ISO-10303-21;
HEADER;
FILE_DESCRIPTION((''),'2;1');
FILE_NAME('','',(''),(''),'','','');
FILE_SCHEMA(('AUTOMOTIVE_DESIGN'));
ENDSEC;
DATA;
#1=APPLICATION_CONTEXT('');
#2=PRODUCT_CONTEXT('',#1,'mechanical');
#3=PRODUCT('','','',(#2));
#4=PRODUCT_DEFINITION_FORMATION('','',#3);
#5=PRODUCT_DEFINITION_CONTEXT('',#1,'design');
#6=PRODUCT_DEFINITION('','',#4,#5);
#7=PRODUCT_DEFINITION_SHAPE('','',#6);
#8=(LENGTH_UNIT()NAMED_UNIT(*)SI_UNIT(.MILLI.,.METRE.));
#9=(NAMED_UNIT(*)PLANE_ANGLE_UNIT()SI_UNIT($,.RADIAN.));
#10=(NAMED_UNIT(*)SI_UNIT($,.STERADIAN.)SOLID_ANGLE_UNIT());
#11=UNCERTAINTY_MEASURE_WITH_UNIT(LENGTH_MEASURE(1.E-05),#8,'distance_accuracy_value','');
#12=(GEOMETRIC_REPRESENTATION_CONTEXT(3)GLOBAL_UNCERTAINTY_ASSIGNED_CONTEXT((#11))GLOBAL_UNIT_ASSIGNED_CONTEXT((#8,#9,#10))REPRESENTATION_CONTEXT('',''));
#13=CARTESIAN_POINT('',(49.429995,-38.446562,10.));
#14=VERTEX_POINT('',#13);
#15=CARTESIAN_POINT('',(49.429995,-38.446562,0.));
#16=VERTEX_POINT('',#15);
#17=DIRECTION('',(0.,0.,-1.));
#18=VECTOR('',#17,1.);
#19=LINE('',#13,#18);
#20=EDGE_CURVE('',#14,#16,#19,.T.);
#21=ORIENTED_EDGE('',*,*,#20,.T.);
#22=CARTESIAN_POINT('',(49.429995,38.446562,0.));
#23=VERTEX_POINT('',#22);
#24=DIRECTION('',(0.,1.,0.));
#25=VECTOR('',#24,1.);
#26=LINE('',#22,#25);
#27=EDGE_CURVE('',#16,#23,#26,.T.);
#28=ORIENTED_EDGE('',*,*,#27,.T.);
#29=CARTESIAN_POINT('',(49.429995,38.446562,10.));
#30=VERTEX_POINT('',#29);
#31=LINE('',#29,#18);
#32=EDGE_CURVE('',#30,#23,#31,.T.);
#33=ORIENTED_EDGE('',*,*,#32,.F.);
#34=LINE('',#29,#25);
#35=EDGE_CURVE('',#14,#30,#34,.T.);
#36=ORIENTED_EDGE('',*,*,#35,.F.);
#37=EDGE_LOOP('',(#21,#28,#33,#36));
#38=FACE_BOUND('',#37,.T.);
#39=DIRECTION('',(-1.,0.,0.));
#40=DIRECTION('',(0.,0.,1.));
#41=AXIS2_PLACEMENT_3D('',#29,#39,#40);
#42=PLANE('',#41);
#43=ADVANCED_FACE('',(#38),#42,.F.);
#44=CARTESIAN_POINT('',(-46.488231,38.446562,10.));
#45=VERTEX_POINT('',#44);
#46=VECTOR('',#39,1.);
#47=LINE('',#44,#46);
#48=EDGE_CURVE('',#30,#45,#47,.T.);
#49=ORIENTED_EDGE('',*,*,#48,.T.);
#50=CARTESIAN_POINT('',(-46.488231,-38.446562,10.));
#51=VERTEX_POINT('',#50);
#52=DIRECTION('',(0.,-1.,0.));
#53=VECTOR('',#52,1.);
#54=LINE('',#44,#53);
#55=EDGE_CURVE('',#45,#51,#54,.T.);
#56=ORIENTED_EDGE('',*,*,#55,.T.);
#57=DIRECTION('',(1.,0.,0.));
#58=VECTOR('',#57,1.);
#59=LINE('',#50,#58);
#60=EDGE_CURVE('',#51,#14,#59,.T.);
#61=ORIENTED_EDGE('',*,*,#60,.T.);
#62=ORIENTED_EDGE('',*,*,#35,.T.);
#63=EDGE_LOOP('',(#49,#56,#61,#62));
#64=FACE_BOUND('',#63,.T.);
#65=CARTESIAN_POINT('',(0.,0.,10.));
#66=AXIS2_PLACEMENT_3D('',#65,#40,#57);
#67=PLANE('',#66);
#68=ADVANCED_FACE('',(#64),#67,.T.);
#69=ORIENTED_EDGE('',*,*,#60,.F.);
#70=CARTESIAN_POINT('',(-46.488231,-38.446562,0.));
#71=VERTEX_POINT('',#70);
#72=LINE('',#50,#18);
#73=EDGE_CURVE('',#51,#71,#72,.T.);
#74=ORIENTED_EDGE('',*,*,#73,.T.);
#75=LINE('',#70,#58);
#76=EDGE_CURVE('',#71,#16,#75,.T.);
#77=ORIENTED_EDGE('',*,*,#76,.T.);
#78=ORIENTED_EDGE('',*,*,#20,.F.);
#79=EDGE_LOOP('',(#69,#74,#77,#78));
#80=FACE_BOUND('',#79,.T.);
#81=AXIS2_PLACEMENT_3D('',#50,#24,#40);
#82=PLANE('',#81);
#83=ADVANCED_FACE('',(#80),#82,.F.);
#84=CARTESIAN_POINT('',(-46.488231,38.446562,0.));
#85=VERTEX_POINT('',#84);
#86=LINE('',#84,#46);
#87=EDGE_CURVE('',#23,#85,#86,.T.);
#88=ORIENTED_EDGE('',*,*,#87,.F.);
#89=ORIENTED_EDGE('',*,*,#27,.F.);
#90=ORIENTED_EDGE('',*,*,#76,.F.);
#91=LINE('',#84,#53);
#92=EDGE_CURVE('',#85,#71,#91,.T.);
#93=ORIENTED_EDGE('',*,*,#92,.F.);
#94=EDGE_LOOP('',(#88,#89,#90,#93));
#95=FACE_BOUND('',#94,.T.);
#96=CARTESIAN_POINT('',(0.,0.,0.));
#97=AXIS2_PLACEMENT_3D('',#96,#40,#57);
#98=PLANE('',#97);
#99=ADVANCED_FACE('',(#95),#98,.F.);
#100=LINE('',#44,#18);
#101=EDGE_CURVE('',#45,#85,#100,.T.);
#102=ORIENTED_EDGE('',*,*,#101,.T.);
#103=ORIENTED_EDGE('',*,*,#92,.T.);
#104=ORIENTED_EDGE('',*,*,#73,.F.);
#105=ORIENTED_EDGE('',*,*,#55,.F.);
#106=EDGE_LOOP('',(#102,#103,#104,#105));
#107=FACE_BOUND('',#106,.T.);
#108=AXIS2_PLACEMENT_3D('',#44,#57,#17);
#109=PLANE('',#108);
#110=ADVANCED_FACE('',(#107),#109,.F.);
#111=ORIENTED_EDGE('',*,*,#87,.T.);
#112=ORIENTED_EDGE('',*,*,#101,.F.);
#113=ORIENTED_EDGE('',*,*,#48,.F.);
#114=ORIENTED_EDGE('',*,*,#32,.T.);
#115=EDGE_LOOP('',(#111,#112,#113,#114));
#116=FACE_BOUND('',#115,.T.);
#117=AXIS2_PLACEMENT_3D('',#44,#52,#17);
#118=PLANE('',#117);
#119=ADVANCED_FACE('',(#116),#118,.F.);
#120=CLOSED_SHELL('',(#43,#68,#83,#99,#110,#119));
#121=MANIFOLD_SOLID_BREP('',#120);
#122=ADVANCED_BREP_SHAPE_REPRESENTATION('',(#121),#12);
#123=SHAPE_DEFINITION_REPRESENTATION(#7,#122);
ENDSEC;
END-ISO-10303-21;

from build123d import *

# Parameters (mm, degrees)
SKETCH1_W           = 95.918226303
SKETCH1_H           = 76.893123566
BOSS_EXTRUDE1_DEPTH = 10


with BuildPart() as part:
    # Sketch1 → Boss-Extrude1 (new body)
    with BuildSketch(Plane.XY):
        with Locations((1.470881891, 0)):
            Rectangle(SKETCH1_W, SKETCH1_H)
    extrude(amount=BOSS_EXTRUDE1_DEPTH)


solid = part.part
